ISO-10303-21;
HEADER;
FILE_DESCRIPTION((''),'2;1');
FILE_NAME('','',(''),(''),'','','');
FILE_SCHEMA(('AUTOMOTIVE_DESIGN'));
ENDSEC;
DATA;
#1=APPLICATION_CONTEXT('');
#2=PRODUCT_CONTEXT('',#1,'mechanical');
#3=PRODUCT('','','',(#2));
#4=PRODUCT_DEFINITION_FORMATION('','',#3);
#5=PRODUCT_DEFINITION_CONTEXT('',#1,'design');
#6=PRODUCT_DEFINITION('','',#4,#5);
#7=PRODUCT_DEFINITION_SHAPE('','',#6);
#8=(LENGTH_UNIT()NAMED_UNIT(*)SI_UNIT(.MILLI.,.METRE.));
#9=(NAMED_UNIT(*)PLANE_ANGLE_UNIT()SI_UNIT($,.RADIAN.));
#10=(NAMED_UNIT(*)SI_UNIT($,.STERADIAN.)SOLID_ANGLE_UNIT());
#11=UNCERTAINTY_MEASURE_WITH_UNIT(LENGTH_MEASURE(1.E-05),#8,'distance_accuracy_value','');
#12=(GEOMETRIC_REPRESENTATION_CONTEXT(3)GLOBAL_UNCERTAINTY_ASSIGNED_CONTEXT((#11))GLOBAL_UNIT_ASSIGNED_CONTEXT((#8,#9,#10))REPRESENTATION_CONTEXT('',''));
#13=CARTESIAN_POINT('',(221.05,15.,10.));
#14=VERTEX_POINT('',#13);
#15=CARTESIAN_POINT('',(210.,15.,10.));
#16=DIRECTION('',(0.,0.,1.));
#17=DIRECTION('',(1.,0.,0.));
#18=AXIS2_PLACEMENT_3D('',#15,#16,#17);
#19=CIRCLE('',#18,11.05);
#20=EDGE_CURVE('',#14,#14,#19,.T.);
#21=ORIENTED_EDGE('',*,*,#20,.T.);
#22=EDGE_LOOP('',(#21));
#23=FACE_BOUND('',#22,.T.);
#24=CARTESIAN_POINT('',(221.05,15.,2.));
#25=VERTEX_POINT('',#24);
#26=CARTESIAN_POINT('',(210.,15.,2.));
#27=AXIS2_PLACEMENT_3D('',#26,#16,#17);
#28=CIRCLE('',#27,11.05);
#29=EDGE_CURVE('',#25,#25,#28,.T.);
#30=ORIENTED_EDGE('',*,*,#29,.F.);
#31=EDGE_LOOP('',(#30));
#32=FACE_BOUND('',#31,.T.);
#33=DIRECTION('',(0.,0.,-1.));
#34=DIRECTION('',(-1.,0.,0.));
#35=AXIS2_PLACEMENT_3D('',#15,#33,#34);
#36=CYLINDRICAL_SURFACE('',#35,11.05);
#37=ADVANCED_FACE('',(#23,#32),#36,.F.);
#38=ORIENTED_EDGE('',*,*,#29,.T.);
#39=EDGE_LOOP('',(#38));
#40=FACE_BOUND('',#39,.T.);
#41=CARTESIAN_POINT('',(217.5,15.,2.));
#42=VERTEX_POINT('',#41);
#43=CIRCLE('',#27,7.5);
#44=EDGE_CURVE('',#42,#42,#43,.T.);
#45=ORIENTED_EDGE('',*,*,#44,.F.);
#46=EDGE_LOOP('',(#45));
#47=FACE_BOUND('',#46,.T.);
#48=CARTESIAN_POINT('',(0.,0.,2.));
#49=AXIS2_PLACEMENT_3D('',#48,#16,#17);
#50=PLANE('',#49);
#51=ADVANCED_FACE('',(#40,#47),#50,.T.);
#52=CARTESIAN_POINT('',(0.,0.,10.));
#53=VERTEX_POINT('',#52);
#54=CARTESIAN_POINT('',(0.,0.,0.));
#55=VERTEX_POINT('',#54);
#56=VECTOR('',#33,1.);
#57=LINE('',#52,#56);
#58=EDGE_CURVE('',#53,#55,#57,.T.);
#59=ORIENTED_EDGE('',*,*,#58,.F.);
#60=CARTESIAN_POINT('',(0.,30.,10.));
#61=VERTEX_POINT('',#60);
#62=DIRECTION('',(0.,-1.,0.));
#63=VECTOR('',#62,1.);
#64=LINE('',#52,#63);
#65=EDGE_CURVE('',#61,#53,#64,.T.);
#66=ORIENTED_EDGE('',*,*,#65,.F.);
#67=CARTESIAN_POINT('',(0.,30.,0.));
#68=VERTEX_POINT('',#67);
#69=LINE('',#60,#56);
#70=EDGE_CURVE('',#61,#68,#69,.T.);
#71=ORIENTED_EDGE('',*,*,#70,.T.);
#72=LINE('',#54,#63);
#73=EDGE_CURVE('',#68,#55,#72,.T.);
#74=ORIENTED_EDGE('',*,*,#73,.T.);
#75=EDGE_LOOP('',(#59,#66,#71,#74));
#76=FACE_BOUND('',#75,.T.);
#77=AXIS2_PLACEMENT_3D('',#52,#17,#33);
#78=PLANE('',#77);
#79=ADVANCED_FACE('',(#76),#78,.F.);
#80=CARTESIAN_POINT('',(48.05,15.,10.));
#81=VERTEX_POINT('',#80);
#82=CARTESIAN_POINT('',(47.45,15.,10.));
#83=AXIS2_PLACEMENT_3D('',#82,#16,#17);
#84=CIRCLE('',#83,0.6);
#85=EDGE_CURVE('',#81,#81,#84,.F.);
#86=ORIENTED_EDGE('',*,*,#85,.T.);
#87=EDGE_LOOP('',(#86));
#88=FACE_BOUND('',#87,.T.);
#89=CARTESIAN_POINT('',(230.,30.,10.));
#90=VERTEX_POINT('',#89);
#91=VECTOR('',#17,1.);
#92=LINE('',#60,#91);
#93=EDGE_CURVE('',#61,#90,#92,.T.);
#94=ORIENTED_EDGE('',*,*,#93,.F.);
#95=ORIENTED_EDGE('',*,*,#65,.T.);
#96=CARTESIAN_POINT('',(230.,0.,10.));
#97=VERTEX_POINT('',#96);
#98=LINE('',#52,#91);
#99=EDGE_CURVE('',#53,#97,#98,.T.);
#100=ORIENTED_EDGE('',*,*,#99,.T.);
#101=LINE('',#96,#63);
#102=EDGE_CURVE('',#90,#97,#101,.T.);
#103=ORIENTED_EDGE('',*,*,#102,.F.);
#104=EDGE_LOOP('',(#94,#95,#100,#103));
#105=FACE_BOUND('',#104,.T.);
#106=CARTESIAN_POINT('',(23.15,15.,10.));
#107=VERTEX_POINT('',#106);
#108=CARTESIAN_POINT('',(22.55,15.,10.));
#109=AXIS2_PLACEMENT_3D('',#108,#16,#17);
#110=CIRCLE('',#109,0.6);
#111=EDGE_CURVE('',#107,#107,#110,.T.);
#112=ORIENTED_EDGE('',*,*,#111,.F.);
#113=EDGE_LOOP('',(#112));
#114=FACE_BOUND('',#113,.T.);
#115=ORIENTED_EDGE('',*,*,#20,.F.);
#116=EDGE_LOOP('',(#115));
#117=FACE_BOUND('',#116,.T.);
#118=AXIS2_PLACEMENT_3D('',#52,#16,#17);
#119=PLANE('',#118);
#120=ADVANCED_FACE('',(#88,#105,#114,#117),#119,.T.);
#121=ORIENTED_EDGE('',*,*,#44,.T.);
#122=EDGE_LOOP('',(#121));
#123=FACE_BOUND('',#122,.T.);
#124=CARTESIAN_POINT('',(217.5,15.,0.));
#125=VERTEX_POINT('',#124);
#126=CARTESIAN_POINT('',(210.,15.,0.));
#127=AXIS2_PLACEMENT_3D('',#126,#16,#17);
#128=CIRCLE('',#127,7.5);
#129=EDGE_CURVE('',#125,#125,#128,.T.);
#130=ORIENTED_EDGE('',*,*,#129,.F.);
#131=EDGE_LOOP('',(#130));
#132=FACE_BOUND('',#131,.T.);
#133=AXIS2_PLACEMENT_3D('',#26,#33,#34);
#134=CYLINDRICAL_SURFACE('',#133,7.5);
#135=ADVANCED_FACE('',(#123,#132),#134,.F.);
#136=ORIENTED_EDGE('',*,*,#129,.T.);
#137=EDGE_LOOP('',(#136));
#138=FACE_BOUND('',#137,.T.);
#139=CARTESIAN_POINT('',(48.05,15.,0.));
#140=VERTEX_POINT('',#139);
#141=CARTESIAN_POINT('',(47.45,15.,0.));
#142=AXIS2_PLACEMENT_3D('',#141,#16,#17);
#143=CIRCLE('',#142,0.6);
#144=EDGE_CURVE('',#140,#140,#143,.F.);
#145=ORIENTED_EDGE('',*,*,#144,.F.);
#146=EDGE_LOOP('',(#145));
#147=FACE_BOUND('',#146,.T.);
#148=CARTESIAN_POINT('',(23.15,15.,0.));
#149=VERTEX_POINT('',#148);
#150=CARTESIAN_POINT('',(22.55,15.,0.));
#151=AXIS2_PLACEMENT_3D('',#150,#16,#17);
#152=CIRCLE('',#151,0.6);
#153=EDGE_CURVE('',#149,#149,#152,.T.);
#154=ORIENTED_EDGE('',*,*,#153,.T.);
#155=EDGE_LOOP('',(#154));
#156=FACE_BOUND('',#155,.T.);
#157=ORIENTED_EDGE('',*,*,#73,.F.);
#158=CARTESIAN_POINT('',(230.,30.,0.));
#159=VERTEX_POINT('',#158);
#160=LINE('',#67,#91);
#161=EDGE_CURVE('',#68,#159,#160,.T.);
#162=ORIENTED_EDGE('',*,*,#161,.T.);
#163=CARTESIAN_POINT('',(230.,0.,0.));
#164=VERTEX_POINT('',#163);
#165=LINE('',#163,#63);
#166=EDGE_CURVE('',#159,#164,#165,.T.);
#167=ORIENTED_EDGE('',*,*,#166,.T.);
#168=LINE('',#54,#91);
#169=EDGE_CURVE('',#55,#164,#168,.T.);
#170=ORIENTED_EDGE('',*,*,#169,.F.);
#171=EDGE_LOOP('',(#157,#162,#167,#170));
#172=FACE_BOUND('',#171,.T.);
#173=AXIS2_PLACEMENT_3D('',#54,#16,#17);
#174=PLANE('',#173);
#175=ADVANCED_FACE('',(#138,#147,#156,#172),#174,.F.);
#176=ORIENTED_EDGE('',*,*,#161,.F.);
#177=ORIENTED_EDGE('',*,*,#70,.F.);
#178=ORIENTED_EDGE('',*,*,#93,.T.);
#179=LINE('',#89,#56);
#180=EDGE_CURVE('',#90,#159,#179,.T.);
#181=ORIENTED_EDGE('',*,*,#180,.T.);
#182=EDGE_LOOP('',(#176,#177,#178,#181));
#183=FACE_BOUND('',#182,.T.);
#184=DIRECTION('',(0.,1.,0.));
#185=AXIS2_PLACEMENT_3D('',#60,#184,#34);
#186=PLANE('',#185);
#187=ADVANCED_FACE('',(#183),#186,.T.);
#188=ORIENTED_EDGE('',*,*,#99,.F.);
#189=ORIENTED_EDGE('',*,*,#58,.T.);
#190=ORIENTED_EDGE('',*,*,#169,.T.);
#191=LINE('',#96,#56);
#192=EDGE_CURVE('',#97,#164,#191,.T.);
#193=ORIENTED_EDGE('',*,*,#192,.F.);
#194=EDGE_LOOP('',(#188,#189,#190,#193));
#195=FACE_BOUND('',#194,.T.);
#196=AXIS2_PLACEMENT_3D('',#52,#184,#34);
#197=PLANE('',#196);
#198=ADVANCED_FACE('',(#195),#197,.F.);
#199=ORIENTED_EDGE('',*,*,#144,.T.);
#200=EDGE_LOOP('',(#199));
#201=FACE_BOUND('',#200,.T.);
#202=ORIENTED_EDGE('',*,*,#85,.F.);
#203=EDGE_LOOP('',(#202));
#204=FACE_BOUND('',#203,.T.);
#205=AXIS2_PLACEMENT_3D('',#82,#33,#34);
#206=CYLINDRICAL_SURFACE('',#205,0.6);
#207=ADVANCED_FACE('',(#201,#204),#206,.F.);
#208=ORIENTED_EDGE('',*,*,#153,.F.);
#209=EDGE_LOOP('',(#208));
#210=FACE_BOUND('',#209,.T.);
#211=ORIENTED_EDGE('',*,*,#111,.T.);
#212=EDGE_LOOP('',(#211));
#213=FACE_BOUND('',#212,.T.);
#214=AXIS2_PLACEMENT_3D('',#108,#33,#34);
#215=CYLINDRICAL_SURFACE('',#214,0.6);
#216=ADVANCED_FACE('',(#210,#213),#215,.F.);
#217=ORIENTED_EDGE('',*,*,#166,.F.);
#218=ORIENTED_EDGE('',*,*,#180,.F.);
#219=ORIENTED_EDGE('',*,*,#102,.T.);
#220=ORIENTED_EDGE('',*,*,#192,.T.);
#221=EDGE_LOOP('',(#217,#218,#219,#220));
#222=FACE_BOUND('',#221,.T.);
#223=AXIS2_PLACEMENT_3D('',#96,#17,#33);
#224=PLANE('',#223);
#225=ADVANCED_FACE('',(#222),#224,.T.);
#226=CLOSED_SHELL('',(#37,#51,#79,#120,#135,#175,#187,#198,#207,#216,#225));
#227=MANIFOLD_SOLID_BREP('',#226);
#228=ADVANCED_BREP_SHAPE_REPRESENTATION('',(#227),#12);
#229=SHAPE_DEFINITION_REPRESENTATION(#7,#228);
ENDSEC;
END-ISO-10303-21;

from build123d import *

# Parameters (mm, degrees)
SKETCH1_W           = 230
SKETCH1_H           = 30
SKETCH1_R           = 0.6
SKETCH1_R_2         = 11.05
BOSS_EXTRUDE2_DEPTH = 10
SKETCH1_6_R         = 11.05
SKETCH1_6_R_2       = 7.5
BOSS_EXTRUDE3_DEPTH = 2


with BuildPart() as part:
    # Sketch1 → Boss-Extrude2 (new body)
    with BuildSketch(Plane.XY):
        with Locations((115, 15)):
            Rectangle(SKETCH1_W, SKETCH1_H)
        with Locations((22.55, 15)):
            Circle(SKETCH1_R, mode=Mode.SUBTRACT)
        with Locations((47.45, 15)):
            Circle(SKETCH1_R, mode=Mode.SUBTRACT)
        with Locations((210, 15)):
            Circle(SKETCH1_R_2, mode=Mode.SUBTRACT)
    extrude(amount=BOSS_EXTRUDE2_DEPTH)

    # Sketch1<6> → Boss-Extrude3 (add)
    with BuildSketch(Plane.XY):
        with Locations((210, 15)):
            Circle(SKETCH1_6_R)
        with Locations((210, 15)):
            Circle(SKETCH1_6_R_2, mode=Mode.SUBTRACT)
    extrude(amount=BOSS_EXTRUDE3_DEPTH)


solid = part.part
